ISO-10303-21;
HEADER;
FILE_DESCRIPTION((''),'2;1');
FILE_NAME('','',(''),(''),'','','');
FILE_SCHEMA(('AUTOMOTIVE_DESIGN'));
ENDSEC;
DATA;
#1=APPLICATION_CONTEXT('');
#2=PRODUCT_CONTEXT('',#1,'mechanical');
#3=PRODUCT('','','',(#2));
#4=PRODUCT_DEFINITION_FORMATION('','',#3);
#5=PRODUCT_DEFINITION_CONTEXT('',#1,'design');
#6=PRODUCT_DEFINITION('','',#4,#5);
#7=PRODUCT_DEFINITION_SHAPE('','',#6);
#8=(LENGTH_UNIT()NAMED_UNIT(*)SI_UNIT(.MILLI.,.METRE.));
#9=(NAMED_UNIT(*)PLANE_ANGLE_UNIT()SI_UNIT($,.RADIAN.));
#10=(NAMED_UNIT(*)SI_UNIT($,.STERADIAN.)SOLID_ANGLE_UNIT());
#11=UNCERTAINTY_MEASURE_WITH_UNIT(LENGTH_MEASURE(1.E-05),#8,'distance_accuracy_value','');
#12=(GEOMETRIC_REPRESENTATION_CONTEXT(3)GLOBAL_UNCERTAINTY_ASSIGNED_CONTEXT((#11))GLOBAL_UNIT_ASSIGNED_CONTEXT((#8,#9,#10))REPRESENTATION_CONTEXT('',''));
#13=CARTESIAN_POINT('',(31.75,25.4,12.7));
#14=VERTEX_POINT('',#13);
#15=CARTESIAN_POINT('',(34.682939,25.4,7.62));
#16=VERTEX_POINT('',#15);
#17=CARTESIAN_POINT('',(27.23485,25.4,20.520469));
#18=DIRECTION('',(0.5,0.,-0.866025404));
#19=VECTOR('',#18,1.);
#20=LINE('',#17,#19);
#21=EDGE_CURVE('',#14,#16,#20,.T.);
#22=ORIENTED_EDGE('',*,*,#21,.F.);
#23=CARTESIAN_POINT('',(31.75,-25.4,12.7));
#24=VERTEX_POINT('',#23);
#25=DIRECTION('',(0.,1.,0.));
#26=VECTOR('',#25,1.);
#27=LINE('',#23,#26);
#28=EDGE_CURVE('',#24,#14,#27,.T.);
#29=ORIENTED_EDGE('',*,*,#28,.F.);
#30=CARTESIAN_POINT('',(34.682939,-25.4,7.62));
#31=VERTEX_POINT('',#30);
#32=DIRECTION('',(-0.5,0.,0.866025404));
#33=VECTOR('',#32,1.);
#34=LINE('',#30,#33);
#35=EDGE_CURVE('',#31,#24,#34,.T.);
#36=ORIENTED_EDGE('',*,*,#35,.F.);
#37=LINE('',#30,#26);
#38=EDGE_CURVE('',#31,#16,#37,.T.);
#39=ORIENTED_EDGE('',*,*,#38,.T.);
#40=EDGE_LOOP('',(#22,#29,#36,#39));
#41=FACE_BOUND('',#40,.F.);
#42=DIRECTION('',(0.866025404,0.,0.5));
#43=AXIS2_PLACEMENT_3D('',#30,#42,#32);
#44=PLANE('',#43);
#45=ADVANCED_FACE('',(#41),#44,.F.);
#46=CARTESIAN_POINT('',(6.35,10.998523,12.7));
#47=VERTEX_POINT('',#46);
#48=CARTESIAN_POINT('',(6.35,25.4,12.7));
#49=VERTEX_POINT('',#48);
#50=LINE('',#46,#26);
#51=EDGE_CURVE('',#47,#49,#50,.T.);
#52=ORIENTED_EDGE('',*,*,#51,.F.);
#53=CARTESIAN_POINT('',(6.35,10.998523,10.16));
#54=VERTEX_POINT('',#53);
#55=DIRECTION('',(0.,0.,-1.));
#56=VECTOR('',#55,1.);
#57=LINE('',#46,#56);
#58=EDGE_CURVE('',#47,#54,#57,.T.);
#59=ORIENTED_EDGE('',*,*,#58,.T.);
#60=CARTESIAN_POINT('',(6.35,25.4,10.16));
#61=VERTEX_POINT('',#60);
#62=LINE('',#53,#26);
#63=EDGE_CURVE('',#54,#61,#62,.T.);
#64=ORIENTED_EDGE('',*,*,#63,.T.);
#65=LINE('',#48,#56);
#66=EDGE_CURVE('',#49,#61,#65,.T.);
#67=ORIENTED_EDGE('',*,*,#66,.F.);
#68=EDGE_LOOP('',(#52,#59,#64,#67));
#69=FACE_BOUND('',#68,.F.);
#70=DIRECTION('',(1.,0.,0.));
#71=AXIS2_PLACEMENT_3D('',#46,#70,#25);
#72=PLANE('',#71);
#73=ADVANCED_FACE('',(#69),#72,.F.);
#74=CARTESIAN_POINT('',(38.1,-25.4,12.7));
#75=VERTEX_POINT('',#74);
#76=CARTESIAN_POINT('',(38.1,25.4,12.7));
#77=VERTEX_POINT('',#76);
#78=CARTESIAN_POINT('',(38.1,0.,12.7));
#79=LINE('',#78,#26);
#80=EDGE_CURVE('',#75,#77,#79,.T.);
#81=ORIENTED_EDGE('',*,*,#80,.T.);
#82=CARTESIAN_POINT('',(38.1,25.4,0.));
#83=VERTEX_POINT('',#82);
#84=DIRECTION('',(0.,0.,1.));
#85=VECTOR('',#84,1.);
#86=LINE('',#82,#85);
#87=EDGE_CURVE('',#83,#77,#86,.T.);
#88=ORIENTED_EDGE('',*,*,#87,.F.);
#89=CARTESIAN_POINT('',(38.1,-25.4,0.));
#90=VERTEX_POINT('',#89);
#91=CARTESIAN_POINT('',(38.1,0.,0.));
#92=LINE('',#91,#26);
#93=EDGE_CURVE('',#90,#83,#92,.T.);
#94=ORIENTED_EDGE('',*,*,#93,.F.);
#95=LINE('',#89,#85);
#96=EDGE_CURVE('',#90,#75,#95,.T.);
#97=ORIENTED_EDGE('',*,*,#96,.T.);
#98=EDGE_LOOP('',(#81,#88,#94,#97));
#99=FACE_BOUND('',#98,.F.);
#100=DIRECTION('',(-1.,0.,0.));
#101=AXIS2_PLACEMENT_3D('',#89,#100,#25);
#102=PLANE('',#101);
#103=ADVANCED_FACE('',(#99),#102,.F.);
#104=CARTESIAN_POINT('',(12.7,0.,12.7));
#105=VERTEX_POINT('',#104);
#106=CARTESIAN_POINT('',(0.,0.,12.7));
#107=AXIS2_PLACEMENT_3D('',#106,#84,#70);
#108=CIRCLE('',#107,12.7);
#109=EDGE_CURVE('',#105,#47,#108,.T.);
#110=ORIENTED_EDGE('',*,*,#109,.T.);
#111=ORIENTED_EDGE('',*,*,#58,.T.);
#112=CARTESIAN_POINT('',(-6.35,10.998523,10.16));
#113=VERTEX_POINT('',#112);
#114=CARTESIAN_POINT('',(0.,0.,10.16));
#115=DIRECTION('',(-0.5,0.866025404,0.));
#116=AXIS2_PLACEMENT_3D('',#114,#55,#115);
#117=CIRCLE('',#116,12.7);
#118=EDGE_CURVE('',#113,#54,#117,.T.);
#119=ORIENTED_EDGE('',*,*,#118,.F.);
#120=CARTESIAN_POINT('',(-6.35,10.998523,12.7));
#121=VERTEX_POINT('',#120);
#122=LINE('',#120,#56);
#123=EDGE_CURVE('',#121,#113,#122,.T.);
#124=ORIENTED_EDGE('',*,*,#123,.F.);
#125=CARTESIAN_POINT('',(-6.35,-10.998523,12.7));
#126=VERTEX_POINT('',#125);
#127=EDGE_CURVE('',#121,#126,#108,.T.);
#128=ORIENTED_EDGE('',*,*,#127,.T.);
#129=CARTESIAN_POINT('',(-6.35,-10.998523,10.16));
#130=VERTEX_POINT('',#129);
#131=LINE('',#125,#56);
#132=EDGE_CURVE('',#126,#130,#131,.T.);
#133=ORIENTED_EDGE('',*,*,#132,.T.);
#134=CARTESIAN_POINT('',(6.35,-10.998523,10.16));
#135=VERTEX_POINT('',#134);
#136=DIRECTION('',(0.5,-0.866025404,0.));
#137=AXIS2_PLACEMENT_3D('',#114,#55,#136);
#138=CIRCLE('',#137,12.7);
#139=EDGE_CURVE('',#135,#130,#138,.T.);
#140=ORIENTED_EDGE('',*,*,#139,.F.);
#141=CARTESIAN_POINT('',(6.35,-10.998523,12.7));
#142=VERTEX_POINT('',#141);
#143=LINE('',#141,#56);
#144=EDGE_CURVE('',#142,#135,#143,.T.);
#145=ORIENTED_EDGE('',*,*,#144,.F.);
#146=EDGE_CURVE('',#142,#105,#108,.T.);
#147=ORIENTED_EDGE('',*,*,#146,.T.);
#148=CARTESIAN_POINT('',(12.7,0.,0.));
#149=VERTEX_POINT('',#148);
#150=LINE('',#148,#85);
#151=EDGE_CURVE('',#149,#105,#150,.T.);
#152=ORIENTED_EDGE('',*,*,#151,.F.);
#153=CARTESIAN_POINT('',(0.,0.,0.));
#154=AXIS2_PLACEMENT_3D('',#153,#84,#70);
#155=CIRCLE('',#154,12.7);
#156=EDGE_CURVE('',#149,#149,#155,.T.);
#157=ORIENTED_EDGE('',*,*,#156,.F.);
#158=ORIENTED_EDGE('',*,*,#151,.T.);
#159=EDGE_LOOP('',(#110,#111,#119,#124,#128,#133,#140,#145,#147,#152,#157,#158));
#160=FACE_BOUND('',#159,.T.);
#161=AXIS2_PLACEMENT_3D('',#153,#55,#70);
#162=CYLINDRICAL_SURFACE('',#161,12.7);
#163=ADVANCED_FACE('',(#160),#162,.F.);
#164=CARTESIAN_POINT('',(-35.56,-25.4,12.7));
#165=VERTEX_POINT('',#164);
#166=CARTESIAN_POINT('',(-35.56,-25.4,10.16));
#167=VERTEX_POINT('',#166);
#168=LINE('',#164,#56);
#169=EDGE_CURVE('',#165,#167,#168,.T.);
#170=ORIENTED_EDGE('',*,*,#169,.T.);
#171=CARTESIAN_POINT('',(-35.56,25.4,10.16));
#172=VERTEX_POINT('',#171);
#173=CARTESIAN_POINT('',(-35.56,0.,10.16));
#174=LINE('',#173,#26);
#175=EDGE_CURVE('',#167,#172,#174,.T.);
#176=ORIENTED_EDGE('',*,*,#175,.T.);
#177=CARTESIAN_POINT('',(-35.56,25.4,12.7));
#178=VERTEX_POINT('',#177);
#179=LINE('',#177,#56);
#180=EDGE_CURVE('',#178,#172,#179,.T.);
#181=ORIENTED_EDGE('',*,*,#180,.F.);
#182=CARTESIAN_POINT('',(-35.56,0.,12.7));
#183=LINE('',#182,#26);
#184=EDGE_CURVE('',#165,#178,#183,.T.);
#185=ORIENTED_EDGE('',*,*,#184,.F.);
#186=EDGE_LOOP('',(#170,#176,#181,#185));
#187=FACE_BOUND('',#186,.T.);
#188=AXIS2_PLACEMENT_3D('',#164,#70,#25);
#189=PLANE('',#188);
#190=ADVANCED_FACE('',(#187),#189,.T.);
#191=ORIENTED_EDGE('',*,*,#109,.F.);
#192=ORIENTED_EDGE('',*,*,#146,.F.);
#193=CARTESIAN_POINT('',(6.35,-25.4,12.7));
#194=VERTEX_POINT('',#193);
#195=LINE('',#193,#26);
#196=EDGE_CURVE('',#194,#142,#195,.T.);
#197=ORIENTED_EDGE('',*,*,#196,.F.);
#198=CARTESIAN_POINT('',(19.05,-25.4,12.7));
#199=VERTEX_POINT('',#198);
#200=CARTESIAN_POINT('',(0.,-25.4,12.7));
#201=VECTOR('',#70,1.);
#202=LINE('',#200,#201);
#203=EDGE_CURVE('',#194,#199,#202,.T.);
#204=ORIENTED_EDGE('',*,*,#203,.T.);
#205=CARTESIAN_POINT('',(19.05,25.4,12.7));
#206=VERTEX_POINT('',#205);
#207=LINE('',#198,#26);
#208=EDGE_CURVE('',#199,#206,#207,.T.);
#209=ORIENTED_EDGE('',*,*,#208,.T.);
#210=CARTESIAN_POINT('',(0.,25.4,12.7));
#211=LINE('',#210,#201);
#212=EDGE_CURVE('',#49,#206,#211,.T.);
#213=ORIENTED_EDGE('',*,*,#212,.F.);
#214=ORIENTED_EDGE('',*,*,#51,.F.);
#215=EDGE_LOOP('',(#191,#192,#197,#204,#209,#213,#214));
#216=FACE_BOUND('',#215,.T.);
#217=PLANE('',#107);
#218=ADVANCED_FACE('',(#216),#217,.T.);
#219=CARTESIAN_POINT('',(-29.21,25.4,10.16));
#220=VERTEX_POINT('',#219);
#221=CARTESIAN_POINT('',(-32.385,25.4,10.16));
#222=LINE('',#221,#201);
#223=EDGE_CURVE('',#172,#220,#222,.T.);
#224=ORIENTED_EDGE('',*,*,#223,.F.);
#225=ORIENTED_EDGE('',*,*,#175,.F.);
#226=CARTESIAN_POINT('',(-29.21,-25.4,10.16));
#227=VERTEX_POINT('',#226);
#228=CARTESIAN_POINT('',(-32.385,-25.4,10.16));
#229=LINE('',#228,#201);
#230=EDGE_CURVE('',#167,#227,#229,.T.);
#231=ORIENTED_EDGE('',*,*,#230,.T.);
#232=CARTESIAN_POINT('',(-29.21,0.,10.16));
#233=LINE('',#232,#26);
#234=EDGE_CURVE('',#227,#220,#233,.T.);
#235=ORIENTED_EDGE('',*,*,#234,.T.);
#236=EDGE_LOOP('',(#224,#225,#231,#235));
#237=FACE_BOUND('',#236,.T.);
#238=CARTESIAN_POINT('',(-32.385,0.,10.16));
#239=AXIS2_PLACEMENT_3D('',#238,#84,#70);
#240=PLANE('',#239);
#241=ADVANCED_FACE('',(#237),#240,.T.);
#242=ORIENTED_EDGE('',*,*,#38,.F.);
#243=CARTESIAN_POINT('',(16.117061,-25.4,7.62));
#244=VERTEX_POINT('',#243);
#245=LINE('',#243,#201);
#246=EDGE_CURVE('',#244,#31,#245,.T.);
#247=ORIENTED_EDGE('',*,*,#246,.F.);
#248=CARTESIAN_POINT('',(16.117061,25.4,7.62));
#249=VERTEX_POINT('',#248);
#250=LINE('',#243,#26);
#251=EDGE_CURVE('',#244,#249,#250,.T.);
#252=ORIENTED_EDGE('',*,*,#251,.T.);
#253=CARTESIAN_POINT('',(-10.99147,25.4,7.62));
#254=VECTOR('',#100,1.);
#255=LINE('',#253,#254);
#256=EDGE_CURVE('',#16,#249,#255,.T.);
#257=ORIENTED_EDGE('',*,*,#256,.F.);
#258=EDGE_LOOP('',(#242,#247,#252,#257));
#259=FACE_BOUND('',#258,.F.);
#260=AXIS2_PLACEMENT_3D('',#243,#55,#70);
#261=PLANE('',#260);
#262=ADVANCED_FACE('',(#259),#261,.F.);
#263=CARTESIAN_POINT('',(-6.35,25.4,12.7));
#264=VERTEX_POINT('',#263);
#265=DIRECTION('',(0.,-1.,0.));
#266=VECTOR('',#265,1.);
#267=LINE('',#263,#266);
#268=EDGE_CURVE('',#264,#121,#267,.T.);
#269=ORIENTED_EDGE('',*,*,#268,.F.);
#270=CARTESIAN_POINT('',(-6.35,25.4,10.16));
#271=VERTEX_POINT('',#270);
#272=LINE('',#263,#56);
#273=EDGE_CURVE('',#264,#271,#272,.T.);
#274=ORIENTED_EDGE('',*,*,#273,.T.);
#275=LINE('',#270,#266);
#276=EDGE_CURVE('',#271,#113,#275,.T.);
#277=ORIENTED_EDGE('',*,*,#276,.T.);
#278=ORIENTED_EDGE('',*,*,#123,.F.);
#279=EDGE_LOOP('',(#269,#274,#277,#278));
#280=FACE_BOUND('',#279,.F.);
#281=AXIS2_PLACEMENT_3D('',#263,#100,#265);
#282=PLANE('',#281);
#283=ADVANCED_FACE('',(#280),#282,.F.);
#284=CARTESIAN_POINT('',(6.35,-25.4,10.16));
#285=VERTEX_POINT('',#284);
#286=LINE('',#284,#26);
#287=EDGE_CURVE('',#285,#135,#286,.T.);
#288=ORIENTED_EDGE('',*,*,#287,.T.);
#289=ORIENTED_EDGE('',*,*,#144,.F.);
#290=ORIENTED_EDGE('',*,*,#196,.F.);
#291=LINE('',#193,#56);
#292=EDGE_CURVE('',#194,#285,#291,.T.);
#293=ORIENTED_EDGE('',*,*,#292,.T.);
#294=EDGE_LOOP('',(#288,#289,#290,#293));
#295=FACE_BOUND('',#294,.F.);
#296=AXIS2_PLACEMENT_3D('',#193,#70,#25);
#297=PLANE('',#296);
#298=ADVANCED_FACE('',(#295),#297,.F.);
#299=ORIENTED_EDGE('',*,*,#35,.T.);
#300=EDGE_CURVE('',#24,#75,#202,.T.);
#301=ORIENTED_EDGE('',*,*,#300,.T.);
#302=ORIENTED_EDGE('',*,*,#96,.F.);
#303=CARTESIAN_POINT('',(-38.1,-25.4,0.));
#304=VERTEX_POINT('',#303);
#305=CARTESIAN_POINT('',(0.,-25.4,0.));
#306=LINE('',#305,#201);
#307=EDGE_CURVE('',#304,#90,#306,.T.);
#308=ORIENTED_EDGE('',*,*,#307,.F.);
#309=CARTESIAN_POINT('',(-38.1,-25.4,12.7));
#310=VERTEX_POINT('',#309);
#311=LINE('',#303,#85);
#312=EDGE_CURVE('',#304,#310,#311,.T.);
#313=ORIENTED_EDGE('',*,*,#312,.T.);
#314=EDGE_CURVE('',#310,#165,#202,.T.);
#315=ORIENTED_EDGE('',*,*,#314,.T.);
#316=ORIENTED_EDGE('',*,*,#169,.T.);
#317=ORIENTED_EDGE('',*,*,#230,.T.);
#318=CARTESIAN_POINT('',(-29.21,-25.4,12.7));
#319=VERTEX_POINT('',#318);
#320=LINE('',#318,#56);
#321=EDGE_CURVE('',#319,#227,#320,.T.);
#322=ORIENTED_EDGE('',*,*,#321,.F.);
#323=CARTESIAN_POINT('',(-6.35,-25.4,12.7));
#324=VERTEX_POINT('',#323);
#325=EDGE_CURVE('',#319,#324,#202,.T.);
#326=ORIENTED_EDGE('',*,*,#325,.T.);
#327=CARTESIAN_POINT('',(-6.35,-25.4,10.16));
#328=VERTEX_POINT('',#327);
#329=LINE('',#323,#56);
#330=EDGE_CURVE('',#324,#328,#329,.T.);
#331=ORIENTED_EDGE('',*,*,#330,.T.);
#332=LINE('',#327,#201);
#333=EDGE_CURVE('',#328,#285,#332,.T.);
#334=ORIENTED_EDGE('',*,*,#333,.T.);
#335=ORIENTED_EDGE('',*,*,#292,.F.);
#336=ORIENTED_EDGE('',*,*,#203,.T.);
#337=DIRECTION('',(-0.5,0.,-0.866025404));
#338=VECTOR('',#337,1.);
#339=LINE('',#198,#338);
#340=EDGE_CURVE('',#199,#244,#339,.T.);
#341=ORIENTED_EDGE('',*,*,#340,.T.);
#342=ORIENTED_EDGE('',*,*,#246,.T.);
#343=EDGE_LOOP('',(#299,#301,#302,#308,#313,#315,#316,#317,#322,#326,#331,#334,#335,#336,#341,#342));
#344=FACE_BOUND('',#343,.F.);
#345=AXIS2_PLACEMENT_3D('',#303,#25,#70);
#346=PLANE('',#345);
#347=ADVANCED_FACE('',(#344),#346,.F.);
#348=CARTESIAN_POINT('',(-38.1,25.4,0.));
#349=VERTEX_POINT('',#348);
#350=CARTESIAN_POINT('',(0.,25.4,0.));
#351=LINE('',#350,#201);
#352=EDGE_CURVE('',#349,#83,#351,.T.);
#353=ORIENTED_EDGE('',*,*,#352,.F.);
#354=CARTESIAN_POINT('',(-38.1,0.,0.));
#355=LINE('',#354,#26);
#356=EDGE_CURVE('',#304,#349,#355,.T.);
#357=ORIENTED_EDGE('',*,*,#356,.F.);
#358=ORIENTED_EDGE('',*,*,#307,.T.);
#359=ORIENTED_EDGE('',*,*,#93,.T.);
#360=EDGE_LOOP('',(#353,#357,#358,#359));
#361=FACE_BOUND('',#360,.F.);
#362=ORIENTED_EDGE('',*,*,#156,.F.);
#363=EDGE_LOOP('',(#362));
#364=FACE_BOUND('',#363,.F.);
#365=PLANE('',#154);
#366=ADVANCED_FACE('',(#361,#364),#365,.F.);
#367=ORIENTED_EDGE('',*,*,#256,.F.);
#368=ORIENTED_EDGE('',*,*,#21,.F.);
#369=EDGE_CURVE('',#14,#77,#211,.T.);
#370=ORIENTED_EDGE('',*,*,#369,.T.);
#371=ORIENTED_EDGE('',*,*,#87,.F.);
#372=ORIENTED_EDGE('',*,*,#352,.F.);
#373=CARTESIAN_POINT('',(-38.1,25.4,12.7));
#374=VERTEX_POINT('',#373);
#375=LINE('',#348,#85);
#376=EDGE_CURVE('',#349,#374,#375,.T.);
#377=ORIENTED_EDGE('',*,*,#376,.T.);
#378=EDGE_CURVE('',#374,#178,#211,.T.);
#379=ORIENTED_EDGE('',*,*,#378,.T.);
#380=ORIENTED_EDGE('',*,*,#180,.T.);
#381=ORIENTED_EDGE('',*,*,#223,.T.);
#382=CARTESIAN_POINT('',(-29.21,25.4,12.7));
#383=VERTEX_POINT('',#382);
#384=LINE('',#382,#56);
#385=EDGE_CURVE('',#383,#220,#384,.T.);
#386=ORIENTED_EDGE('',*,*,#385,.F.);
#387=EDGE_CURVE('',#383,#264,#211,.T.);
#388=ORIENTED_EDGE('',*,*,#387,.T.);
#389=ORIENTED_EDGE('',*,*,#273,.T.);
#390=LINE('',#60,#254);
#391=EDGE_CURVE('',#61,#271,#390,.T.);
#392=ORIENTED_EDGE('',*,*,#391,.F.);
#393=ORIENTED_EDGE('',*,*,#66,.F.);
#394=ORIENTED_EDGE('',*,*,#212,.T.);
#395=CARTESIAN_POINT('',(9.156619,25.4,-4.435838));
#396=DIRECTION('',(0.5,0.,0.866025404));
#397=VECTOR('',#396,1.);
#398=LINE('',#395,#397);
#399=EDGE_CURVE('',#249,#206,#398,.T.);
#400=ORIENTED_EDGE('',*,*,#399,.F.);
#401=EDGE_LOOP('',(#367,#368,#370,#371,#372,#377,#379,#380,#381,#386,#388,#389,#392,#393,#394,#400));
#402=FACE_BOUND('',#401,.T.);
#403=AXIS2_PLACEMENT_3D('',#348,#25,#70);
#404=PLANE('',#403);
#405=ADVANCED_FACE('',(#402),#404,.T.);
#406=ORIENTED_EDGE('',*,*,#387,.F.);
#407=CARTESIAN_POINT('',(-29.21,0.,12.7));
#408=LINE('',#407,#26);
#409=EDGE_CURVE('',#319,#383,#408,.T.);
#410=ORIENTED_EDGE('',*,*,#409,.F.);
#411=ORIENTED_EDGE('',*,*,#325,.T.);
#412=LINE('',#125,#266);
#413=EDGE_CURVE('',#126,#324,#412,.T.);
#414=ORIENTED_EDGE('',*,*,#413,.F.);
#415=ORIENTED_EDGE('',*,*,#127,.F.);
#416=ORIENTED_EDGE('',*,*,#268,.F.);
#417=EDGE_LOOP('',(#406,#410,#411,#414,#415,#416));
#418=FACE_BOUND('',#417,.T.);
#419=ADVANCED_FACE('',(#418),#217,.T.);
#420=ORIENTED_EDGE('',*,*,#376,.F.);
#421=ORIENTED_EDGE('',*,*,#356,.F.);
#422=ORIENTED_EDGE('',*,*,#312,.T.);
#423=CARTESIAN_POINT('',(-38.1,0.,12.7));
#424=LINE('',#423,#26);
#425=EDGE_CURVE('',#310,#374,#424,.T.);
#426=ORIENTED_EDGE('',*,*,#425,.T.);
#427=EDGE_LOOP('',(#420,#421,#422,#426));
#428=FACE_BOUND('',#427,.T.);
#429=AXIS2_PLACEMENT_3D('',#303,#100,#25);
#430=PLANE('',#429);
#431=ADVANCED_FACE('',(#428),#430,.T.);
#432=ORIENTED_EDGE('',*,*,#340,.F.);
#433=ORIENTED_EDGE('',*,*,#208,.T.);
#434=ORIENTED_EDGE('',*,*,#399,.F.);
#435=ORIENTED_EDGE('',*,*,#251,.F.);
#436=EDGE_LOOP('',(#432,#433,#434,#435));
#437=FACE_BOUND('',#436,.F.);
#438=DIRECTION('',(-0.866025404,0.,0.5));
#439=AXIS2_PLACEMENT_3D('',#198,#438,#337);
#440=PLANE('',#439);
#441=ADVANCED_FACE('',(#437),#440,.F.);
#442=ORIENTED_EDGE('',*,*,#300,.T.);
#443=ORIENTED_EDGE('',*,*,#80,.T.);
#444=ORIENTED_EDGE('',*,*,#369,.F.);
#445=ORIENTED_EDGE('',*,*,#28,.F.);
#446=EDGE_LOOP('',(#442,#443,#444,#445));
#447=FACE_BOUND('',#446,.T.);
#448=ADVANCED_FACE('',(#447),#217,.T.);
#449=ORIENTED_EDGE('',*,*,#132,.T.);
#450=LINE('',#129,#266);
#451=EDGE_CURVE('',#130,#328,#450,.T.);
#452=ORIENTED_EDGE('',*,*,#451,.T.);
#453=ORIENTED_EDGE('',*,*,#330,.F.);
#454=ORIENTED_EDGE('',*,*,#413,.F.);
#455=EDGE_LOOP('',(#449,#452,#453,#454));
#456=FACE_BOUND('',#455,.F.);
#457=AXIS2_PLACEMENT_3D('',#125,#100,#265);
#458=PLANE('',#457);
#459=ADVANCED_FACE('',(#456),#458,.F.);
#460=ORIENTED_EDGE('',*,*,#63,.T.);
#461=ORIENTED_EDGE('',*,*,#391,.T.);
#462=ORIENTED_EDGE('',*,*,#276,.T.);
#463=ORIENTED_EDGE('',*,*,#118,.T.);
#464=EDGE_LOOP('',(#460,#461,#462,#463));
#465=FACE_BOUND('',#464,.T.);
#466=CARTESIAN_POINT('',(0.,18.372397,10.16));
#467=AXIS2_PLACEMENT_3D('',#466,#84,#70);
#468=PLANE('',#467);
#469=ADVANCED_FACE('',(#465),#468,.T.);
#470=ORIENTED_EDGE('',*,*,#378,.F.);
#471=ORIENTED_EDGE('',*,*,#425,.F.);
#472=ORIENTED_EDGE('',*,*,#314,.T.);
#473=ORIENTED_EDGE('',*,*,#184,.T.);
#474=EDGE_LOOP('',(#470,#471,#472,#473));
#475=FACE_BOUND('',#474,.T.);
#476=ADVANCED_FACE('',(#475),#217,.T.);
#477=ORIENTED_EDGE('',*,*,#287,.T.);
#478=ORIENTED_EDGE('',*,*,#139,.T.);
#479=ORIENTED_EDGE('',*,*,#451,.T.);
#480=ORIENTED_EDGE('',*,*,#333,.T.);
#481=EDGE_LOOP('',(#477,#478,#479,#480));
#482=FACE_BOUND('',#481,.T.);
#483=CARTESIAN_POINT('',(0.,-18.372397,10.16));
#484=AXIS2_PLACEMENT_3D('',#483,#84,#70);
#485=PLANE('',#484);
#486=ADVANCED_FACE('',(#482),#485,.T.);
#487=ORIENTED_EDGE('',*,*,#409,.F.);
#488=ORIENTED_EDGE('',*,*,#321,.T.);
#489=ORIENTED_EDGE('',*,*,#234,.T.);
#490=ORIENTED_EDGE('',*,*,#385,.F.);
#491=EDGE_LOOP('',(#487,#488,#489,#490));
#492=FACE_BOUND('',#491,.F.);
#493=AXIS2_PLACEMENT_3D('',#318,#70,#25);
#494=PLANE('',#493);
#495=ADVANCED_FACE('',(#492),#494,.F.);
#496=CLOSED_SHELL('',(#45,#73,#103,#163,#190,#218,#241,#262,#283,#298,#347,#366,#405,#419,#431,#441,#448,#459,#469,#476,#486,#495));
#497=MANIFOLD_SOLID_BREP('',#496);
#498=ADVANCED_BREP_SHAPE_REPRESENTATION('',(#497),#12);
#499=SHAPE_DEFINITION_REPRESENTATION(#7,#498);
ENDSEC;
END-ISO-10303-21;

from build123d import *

# Parameters (mm, degrees)
F0_W     = 76.2
F0_H     = 50.8
F0_R     = 12.7
F1_DEPTH = 12.7
F2_W     = 6.35
F2_H     = 50.8
F3_DEPTH = 2.54
F5_DEPTH = 50.801


with BuildPart() as f1:
    # F0 (on Top) → F1 (new body)
    with BuildSketch(Plane.XY):
        Rectangle(F0_W, F0_H)
        Circle(F0_R, mode=Mode.SUBTRACT)
    extrude(amount=F1_DEPTH)

    # F2 (on face) → F3 (cut)
    with BuildSketch(Plane.XY.offset(12.7)):
        with Locations((-32.385, 0)):
            Rectangle(F2_W, F2_H)
        with BuildLine():
            Line((6.35, 25.4), (-6.35, 25.4))
            Line((-6.35, 25.4), (-6.35, 10.9985226281))
            ThreePointArc((-6.35, 10.9985226281), (0, 12.7), (6.35, 10.9985226281))
            Line((6.35, 10.9985226281), (6.35, 25.4))
        make_face()
        with BuildLine():
            Line((-6.35, -10.9985226281), (-6.35, -25.4))
            Line((-6.35, -25.4), (6.35, -25.4))
            Line((6.35, -25.4), (6.35, -10.9985226281))
            ThreePointArc((6.35, -10.9985226281), (0, -12.7), (-6.35, -10.9985226281))
        make_face()
    extrude(amount=-F3_DEPTH, mode=Mode.SUBTRACT)

    # F4 (on face) → F5 (cut, through all)
    with BuildSketch(Plane.XZ.offset(25.4)):
        Polygon((31.75, 12.7), (19.05, 12.7), (16.1170606325, 7.62), (34.6829393675, 7.62), align=None)
    extrude(amount=-F5_DEPTH, mode=Mode.SUBTRACT)


solid = f1.part
